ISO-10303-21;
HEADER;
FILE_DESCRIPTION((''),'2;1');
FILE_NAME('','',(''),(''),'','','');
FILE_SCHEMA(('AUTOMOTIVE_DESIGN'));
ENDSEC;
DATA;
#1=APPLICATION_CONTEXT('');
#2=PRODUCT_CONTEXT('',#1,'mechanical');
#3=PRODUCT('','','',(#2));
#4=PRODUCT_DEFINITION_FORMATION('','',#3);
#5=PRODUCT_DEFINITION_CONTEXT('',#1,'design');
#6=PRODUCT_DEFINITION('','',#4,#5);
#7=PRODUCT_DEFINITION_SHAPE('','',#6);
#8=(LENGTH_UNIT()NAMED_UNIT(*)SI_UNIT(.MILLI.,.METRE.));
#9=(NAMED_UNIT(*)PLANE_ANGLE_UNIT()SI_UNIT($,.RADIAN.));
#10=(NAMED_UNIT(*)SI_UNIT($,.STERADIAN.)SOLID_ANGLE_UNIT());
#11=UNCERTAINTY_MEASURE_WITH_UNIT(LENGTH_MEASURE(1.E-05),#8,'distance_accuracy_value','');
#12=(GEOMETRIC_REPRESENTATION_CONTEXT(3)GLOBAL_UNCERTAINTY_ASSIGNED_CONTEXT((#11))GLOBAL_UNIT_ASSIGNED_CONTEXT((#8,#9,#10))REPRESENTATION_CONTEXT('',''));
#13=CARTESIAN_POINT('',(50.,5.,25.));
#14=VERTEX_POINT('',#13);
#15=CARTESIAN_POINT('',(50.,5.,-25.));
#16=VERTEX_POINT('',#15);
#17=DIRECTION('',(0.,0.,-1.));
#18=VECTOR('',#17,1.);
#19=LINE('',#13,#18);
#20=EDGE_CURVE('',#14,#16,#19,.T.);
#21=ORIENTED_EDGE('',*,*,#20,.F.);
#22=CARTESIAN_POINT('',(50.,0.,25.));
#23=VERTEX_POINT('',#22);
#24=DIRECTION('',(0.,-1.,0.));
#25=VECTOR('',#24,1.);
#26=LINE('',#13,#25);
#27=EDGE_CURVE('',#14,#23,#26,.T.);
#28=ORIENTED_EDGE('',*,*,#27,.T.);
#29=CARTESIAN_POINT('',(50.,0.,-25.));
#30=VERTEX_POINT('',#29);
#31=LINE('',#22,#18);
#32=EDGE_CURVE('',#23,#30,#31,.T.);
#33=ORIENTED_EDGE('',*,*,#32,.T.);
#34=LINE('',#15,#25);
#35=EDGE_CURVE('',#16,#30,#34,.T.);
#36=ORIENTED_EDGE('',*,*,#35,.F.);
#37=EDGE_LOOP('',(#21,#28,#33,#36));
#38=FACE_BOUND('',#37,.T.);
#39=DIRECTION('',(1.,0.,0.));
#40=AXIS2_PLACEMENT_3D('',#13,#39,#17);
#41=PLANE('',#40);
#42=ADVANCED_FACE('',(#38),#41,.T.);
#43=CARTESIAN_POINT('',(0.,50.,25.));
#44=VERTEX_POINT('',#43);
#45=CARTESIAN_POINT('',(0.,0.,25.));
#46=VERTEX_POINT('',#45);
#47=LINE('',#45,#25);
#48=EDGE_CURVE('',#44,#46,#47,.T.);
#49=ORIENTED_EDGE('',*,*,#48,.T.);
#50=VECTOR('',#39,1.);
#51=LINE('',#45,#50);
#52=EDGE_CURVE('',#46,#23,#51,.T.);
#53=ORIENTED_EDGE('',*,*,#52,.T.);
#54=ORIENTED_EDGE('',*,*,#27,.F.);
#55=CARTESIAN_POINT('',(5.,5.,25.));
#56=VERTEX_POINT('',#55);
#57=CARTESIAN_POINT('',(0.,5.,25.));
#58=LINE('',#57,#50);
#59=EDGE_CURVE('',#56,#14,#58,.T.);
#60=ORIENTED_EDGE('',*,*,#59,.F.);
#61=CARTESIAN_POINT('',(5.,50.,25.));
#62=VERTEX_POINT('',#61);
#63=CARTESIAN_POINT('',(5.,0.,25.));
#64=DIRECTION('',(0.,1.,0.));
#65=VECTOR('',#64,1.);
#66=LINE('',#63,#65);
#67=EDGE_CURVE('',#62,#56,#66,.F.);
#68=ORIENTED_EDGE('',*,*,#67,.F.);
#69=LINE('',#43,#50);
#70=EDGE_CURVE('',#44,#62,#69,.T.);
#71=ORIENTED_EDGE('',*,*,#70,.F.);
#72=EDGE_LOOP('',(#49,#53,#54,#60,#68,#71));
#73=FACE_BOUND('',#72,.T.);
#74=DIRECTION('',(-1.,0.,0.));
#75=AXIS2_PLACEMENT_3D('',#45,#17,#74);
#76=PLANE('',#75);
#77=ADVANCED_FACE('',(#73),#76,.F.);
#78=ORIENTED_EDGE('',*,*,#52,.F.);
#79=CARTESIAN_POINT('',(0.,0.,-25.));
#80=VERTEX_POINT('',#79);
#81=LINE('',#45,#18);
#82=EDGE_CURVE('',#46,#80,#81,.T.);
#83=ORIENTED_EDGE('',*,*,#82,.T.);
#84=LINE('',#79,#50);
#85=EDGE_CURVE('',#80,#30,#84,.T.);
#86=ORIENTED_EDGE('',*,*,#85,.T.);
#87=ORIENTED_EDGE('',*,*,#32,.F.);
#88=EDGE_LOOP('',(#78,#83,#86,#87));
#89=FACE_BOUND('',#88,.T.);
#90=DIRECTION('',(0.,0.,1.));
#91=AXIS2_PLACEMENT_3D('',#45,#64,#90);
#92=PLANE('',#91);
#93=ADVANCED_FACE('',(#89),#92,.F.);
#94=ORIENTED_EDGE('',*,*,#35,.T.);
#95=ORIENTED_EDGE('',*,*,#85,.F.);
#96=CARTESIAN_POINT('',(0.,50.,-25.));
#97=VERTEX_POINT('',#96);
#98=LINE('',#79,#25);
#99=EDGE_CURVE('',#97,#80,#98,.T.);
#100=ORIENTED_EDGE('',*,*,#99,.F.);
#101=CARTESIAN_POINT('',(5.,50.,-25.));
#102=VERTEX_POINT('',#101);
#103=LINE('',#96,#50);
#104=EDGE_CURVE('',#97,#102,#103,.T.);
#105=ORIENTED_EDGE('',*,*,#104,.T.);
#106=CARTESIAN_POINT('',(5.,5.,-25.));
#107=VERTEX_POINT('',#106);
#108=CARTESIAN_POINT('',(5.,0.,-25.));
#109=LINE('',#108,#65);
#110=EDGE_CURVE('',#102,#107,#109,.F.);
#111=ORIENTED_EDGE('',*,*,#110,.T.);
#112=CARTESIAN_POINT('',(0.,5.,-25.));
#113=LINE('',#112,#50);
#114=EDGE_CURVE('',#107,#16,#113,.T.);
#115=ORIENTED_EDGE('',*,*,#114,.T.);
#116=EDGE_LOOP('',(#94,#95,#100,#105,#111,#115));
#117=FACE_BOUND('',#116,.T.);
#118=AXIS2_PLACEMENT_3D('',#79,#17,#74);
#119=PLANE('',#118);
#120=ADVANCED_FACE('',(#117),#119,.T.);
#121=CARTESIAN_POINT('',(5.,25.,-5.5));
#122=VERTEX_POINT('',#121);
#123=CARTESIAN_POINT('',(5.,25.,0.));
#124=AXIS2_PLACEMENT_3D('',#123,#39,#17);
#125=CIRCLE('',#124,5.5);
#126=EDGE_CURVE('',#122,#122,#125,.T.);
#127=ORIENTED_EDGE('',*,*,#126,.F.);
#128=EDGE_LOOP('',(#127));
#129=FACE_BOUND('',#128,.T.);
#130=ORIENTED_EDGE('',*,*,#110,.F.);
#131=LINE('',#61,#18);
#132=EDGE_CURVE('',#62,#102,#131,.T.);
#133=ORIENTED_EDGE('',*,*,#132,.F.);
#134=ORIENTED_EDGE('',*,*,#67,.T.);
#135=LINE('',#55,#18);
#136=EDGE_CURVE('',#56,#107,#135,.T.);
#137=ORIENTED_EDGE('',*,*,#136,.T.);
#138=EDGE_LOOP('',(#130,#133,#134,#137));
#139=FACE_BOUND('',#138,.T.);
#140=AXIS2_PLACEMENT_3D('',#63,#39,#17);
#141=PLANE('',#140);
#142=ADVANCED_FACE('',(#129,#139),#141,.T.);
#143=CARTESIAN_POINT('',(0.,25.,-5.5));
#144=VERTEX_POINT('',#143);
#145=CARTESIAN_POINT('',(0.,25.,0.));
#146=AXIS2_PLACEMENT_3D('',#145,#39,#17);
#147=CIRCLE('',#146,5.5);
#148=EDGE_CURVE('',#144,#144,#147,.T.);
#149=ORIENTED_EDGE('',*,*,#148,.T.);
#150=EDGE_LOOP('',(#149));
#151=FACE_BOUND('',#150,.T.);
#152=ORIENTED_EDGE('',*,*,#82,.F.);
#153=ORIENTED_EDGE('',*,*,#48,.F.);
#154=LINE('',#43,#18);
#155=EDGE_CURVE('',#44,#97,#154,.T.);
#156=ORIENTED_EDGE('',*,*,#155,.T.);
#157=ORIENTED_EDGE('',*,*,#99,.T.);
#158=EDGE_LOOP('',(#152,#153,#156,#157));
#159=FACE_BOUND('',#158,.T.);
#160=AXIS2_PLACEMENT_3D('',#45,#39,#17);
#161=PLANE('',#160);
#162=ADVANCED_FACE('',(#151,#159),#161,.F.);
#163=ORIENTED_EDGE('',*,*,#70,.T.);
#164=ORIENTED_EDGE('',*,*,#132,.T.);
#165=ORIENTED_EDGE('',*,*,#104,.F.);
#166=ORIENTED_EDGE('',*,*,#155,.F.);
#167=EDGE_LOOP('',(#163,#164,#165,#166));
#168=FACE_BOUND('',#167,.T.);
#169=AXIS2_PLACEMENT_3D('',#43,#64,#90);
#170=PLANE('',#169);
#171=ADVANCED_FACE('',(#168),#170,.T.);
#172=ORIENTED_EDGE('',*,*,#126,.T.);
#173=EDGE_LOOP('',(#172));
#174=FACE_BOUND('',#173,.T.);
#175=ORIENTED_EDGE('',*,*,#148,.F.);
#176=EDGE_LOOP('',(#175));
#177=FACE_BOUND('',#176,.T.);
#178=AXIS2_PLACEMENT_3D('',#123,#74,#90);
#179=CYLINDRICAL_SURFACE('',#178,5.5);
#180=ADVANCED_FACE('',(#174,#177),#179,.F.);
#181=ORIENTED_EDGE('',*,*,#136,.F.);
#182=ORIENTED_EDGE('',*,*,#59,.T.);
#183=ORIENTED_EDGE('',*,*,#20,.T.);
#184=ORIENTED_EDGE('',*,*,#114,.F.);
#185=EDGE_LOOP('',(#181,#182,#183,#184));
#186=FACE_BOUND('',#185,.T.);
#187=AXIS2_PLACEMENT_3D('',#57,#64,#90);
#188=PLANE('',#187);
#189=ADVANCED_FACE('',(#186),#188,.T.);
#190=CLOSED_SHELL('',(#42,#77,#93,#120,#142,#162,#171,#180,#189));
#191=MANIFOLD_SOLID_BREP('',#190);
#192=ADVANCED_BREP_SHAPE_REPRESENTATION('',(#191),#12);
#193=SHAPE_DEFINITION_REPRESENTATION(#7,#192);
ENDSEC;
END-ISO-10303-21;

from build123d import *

# Parameters (mm, degrees)
EXTRUDE_THIN1_DEPTH = 25
SKETCH2_R           = 5.5
CUT_EXTRUDE1_DEPTH  = 5


with BuildPart() as part:
    # Sketch1 → Extrude-Thin1 (new, symmetric)
    with BuildSketch(Plane.XY):
        Polygon((50, 0), (0, 0), (0, 50), (5, 50), (5, 5), (50, 5), align=None)
    extrude(amount=EXTRUDE_THIN1_DEPTH, both=True)

    # Sketch2 → Cut-Extrude1 (cut)
    with BuildSketch(Plane.YZ):
        with Locations(Location((25, 0, 0), (0, 0, 270))):
            Circle(SKETCH2_R)
    extrude(amount=CUT_EXTRUDE1_DEPTH, mode=Mode.SUBTRACT)


solid = part.part
